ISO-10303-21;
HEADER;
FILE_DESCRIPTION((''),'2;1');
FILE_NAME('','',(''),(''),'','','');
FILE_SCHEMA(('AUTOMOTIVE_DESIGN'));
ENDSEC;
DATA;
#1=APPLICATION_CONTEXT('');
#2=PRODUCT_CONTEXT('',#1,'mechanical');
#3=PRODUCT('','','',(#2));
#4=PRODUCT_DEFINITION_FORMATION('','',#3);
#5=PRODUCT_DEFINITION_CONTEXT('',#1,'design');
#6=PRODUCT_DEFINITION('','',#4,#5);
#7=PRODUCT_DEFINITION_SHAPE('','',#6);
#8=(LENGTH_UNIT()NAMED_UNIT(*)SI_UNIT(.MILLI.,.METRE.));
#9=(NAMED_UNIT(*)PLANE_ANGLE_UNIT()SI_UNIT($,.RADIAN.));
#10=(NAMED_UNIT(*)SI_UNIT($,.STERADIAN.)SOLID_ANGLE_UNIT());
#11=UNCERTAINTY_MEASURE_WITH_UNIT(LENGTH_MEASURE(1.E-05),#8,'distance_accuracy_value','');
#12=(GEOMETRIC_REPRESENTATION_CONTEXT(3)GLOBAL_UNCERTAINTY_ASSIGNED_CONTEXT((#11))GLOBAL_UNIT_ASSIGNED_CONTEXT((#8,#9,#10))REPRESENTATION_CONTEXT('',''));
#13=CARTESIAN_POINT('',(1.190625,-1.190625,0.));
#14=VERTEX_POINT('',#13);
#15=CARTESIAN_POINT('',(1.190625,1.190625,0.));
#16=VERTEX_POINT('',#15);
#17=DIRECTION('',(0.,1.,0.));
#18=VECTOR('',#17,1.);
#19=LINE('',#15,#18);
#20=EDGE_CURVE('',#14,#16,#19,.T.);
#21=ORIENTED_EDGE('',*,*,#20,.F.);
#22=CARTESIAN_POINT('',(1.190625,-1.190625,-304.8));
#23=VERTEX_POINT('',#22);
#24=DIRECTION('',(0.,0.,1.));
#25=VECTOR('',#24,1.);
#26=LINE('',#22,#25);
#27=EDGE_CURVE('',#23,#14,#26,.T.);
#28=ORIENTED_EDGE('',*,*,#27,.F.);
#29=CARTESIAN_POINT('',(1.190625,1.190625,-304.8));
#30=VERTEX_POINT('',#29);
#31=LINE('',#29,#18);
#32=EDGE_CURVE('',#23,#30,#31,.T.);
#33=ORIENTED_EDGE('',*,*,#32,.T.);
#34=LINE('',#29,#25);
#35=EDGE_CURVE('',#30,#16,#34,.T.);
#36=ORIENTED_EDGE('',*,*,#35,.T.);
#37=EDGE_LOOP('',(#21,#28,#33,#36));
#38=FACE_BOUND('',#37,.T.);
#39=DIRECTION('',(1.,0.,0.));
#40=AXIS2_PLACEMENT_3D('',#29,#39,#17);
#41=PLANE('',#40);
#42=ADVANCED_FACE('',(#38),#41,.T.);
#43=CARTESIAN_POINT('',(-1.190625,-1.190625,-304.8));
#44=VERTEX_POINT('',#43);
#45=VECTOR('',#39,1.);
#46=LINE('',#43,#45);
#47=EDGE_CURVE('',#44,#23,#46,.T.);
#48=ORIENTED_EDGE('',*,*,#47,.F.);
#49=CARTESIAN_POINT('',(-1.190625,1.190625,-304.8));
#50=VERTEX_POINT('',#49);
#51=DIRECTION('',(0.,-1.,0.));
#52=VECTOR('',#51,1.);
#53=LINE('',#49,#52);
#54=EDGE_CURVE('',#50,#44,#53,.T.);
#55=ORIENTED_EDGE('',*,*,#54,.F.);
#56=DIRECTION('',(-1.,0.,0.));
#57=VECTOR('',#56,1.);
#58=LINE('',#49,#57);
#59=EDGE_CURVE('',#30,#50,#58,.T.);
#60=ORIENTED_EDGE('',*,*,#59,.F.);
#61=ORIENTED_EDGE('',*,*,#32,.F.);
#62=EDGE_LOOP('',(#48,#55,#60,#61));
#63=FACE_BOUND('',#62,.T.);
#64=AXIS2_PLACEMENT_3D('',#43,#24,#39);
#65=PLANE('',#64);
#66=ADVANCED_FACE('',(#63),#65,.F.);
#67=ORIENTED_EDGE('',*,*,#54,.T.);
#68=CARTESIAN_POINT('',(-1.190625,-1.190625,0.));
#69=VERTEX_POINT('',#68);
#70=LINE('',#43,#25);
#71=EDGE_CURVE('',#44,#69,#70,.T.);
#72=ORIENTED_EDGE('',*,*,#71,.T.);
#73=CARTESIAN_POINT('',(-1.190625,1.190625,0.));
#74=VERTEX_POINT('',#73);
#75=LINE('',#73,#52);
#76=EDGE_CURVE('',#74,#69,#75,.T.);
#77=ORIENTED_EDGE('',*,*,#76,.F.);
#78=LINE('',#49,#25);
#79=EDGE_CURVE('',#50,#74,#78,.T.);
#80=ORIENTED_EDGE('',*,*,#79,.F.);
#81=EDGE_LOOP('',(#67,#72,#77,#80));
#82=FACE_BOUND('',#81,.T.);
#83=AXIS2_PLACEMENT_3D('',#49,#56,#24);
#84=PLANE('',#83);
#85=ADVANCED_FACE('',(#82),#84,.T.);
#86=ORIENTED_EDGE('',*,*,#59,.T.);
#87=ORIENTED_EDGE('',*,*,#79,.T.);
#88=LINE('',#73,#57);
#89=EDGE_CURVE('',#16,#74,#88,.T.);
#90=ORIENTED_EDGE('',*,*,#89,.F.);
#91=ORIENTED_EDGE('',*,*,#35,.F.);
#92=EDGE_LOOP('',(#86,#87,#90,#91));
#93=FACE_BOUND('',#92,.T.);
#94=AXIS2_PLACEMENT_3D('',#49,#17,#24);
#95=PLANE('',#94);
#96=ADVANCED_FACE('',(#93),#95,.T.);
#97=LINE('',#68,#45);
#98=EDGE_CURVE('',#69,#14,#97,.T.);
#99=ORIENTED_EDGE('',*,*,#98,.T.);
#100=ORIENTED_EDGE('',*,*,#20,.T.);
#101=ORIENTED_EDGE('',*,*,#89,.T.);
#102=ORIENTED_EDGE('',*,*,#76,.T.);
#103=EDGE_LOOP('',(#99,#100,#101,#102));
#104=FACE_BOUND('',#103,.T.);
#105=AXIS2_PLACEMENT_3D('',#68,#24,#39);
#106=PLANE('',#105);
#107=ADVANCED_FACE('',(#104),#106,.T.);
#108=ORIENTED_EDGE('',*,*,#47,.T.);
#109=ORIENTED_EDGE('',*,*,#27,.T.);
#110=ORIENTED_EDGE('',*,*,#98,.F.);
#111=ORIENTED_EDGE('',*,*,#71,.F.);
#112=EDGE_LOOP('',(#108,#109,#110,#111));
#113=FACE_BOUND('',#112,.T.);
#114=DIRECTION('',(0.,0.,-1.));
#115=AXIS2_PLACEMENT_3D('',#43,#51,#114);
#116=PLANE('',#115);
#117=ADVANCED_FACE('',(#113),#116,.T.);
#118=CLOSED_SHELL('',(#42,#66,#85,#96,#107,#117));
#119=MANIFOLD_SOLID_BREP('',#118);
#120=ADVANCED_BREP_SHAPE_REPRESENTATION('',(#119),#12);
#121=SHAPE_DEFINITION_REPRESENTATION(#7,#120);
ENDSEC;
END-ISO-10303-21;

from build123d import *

# Parameters (mm, degrees)
SKETCH1_W      = 2.38125
SKETCH1_H      = 2.38125
EXTRUDE1_DEPTH = 304.8


with BuildPart() as part:
    # Sketch1 → Extrude1 (new body)
    with BuildSketch(Plane.XY):
        Rectangle(SKETCH1_W, SKETCH1_H)
    extrude(amount=-EXTRUDE1_DEPTH)


solid = part.part
